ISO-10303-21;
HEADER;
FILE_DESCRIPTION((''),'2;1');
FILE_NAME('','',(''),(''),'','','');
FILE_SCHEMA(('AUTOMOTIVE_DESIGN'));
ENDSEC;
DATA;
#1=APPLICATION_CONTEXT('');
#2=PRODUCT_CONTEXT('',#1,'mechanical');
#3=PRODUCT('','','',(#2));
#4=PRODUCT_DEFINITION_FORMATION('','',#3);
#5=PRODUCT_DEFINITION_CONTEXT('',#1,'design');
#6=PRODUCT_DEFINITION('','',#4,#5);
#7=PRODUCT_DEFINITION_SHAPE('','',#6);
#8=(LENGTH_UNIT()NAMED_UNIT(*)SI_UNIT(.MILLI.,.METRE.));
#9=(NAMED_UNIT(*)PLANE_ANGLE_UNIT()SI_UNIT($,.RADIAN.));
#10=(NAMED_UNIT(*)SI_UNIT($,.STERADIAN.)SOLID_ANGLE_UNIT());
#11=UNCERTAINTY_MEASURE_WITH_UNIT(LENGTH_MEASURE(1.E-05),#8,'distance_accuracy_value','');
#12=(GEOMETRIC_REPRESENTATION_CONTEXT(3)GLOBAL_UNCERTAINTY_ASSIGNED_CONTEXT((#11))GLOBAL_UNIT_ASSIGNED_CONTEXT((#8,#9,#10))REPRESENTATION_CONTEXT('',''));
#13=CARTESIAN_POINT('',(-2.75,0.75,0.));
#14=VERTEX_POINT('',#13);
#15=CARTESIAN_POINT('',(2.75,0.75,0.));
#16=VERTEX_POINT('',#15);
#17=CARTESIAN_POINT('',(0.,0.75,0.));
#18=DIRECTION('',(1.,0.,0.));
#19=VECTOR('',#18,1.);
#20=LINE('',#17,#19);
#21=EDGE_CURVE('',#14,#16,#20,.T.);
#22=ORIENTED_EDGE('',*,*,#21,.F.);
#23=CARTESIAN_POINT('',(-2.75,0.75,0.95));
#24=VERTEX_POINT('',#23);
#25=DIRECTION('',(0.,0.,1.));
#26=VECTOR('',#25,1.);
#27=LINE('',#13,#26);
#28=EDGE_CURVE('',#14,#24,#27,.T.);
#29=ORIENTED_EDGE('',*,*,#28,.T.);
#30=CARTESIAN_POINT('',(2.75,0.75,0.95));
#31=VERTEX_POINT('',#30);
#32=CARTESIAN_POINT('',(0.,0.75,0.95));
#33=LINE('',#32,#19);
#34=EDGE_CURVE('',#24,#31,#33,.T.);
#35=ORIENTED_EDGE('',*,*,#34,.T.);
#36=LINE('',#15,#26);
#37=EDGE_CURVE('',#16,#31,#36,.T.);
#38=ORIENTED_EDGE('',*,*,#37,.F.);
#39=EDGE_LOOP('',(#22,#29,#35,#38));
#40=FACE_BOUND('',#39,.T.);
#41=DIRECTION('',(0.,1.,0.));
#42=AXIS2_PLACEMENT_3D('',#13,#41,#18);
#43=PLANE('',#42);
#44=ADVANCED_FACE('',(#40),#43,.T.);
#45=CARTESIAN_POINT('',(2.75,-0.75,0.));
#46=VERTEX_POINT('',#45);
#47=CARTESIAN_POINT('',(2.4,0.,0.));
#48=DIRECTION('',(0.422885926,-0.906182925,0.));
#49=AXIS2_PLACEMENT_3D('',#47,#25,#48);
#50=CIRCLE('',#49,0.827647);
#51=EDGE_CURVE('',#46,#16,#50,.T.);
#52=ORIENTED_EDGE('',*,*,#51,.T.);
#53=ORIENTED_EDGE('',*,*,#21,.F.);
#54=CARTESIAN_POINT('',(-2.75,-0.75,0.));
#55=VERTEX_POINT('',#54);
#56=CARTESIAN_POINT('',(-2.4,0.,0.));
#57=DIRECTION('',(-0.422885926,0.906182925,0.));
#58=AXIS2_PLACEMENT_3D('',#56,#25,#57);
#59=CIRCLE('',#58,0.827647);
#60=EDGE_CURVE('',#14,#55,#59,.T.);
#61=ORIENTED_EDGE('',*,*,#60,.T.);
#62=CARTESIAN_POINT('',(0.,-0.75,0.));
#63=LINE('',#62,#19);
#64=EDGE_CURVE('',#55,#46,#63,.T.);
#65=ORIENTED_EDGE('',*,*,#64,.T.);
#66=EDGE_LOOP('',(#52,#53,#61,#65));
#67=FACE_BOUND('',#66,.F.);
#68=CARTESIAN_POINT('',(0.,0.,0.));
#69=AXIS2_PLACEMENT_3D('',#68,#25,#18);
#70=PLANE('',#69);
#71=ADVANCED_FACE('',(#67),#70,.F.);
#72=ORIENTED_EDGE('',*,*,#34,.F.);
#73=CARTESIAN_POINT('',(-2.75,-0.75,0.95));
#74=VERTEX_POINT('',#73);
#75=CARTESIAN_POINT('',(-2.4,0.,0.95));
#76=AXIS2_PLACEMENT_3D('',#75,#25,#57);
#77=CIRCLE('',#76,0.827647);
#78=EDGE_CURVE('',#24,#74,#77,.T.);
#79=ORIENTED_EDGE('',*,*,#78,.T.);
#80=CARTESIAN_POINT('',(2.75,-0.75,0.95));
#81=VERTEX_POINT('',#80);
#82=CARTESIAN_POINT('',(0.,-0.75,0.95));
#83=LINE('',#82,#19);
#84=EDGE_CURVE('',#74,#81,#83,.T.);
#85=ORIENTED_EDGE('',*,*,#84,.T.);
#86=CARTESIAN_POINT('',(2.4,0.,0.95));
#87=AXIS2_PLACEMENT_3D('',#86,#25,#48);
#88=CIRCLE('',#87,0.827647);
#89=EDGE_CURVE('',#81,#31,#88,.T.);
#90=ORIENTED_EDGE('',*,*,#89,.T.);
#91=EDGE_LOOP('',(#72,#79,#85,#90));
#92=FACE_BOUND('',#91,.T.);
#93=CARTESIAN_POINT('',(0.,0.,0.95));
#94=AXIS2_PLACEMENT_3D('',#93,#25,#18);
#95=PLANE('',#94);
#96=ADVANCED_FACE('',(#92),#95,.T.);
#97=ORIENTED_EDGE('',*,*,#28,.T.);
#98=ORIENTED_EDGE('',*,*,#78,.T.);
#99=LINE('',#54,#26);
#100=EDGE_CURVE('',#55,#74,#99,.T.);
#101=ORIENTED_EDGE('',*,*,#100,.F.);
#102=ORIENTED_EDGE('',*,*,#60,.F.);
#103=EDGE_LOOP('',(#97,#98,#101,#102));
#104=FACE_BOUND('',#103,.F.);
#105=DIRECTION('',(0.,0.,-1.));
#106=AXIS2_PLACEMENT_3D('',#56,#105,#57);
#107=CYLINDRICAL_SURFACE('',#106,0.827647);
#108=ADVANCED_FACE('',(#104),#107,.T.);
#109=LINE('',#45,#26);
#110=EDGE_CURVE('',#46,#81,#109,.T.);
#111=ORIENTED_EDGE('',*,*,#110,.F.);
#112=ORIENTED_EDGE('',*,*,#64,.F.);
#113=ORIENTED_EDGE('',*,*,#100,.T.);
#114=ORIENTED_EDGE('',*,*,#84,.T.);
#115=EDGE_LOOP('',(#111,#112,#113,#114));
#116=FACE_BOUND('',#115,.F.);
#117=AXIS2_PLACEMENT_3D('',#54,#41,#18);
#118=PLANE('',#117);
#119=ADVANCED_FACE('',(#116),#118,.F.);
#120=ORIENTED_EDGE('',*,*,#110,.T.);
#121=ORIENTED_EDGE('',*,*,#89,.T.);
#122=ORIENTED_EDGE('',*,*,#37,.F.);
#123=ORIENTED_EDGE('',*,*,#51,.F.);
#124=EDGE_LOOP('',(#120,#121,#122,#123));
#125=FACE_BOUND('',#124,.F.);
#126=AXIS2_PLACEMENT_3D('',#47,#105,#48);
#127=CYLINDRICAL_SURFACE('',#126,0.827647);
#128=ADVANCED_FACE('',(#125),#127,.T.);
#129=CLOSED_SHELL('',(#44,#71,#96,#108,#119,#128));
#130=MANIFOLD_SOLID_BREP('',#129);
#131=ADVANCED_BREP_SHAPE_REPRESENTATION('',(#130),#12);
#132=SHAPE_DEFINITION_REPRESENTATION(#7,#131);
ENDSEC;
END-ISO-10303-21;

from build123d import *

# Parameters (mm, degrees)
F0_W     = 5.5
F0_H     = 1.5
F1_DEPTH = 0.95


with BuildPart() as f1:
    # F0 (on Top) → F1 (new body)
    with BuildSketch(Plane.XY):
        Rectangle(F0_W, F0_H)
        with BuildLine():
            Line((2.75, 0.75), (2.75, -0.75))
            ThreePointArc((2.75, -0.75), (3.227647, 0), (2.75, 0.75))
        make_face()
        with BuildLine():
            ThreePointArc((-2.75, 0.75), (-3.227647, 0), (-2.75, -0.75))
            Line((-2.75, -0.75), (-2.75, 0.75))
        make_face()
    extrude(amount=F1_DEPTH)


solid = f1.part
